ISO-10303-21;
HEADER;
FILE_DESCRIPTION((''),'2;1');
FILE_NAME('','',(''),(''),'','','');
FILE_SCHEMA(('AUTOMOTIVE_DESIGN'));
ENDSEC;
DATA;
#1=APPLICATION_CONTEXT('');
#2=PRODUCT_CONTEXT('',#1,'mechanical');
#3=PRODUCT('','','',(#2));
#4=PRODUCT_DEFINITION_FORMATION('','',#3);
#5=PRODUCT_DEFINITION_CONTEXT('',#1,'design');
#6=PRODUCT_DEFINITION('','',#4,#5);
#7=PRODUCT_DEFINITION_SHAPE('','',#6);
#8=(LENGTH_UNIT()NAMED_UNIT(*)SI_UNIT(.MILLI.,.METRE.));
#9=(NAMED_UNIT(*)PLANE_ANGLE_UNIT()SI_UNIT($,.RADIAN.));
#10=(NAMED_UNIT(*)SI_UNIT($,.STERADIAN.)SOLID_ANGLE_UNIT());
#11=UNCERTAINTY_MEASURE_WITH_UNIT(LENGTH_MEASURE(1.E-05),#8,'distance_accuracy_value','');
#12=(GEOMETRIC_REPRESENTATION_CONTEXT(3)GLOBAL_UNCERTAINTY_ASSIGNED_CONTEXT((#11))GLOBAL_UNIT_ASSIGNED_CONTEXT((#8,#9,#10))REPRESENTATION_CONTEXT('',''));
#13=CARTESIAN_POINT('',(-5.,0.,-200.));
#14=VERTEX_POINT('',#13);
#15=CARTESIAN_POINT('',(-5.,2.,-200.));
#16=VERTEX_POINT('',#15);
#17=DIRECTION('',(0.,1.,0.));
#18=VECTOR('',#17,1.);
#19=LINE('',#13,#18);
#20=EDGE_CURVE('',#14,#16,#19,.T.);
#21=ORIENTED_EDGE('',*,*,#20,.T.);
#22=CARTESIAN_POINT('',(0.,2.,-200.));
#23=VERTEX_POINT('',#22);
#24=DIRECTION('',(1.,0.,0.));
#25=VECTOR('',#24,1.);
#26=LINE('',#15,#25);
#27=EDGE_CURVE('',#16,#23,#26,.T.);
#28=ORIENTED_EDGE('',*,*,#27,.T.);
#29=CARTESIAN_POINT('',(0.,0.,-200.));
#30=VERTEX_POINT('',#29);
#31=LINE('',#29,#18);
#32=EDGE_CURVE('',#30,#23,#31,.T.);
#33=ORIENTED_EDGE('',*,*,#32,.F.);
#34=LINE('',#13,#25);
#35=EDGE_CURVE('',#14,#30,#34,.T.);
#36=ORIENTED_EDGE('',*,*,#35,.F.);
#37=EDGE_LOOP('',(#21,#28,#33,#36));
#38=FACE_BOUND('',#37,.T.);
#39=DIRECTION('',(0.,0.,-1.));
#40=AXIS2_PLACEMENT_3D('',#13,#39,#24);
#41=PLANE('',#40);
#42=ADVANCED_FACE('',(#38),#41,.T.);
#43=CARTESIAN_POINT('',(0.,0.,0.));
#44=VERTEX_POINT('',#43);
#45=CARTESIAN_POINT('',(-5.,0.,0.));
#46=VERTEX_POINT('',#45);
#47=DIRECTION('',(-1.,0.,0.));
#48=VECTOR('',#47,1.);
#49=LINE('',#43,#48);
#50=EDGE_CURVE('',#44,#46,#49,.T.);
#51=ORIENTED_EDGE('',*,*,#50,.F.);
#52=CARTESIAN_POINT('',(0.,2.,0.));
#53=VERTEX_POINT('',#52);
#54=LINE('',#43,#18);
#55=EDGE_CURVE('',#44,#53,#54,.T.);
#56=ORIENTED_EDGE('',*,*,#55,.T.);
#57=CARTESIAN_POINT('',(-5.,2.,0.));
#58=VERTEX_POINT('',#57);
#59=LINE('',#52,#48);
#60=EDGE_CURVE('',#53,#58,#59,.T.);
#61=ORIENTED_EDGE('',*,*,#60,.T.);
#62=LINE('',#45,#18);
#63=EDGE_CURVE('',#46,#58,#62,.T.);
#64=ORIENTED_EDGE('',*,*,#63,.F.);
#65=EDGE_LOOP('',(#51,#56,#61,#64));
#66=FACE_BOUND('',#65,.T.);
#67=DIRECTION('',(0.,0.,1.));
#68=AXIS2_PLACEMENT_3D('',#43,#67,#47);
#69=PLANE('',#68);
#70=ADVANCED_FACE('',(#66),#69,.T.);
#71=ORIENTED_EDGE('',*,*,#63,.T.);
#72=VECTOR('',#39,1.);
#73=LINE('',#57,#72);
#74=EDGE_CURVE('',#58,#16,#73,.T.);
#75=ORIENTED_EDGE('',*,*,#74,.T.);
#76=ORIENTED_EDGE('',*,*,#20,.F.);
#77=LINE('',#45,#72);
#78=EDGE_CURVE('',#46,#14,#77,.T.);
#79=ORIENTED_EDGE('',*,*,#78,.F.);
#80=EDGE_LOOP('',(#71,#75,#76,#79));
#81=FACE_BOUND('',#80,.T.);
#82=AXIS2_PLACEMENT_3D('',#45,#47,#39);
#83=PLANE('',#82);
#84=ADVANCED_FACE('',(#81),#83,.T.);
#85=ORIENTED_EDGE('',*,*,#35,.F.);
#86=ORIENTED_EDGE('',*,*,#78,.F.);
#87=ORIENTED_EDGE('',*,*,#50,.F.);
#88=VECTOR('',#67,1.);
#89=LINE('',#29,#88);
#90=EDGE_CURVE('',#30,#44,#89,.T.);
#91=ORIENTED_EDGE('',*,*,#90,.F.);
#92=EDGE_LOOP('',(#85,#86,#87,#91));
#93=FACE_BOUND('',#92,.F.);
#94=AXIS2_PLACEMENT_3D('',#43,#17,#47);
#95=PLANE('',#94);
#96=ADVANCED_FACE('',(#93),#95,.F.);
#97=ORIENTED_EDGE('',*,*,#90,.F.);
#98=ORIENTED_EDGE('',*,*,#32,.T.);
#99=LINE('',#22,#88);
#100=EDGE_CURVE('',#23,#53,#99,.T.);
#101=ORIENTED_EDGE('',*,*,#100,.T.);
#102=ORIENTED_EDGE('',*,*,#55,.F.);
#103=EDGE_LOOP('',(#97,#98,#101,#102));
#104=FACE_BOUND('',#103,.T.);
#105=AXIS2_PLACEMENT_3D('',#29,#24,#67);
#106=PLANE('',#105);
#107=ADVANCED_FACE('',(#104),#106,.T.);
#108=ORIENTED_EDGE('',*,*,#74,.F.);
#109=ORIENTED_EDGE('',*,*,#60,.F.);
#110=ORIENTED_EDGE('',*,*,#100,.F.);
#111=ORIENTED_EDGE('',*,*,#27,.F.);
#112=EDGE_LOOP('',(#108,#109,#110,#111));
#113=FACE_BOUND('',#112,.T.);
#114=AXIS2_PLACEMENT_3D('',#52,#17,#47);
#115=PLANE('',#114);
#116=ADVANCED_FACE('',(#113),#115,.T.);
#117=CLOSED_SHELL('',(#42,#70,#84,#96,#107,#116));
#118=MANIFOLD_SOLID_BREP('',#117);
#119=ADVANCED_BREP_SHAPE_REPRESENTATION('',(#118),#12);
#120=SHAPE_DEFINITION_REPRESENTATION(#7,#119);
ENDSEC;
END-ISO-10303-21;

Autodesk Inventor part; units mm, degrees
ref_plane "YZ Plane" through (0, 0, 0) normal (1, 0, 0) x (0, 1, 0)
ref_plane "XZ Plane" through (0, 0, 0) normal (0, 1, 0) x (-1, 0, 0)
ref_plane "XY Plane" through (0, 0, 0) normal (0, 0, 1) x (1, 0, 0)
sketch "Sketch1" plane through (0, 0, 0) normal (0, 1, 0) x (-1, 0, 0)
  line L0 (0, 0) -> (5, 0)
  line L1 (5, 0) -> (5, -200)
  line L2 (5, -200) -> (0, -200)
  line L3 (0, -200) -> (0, 0)
  dimension "d0" = 5
  dimension "d1" = 200
extrude "Extrusion1" add sketch "Sketch1" along normal blind 2
sketch "Sketch2" plane through (0, 2, 0) normal (0, 1, 0) x (1, 0, 0)
  line L0 (0, 200) -> (-5, 200) projected
  line L1 (-5, 200) -> (-5, 0) projected
  line L2 (-5, 0) -> (0, 0) projected
  line L3 (0, 0) -> (0, 200) projected
sketch "Sketch3" plane through (0, 2, 0) normal (0, 1, 0) x (1, 0, 0)
  line L0 (0, 0) -> (0, 200) projected
  point P0 (0, 120)
  dimension "d4" = 120
properties part number "Feather_0_aerofoil_frame_support"
